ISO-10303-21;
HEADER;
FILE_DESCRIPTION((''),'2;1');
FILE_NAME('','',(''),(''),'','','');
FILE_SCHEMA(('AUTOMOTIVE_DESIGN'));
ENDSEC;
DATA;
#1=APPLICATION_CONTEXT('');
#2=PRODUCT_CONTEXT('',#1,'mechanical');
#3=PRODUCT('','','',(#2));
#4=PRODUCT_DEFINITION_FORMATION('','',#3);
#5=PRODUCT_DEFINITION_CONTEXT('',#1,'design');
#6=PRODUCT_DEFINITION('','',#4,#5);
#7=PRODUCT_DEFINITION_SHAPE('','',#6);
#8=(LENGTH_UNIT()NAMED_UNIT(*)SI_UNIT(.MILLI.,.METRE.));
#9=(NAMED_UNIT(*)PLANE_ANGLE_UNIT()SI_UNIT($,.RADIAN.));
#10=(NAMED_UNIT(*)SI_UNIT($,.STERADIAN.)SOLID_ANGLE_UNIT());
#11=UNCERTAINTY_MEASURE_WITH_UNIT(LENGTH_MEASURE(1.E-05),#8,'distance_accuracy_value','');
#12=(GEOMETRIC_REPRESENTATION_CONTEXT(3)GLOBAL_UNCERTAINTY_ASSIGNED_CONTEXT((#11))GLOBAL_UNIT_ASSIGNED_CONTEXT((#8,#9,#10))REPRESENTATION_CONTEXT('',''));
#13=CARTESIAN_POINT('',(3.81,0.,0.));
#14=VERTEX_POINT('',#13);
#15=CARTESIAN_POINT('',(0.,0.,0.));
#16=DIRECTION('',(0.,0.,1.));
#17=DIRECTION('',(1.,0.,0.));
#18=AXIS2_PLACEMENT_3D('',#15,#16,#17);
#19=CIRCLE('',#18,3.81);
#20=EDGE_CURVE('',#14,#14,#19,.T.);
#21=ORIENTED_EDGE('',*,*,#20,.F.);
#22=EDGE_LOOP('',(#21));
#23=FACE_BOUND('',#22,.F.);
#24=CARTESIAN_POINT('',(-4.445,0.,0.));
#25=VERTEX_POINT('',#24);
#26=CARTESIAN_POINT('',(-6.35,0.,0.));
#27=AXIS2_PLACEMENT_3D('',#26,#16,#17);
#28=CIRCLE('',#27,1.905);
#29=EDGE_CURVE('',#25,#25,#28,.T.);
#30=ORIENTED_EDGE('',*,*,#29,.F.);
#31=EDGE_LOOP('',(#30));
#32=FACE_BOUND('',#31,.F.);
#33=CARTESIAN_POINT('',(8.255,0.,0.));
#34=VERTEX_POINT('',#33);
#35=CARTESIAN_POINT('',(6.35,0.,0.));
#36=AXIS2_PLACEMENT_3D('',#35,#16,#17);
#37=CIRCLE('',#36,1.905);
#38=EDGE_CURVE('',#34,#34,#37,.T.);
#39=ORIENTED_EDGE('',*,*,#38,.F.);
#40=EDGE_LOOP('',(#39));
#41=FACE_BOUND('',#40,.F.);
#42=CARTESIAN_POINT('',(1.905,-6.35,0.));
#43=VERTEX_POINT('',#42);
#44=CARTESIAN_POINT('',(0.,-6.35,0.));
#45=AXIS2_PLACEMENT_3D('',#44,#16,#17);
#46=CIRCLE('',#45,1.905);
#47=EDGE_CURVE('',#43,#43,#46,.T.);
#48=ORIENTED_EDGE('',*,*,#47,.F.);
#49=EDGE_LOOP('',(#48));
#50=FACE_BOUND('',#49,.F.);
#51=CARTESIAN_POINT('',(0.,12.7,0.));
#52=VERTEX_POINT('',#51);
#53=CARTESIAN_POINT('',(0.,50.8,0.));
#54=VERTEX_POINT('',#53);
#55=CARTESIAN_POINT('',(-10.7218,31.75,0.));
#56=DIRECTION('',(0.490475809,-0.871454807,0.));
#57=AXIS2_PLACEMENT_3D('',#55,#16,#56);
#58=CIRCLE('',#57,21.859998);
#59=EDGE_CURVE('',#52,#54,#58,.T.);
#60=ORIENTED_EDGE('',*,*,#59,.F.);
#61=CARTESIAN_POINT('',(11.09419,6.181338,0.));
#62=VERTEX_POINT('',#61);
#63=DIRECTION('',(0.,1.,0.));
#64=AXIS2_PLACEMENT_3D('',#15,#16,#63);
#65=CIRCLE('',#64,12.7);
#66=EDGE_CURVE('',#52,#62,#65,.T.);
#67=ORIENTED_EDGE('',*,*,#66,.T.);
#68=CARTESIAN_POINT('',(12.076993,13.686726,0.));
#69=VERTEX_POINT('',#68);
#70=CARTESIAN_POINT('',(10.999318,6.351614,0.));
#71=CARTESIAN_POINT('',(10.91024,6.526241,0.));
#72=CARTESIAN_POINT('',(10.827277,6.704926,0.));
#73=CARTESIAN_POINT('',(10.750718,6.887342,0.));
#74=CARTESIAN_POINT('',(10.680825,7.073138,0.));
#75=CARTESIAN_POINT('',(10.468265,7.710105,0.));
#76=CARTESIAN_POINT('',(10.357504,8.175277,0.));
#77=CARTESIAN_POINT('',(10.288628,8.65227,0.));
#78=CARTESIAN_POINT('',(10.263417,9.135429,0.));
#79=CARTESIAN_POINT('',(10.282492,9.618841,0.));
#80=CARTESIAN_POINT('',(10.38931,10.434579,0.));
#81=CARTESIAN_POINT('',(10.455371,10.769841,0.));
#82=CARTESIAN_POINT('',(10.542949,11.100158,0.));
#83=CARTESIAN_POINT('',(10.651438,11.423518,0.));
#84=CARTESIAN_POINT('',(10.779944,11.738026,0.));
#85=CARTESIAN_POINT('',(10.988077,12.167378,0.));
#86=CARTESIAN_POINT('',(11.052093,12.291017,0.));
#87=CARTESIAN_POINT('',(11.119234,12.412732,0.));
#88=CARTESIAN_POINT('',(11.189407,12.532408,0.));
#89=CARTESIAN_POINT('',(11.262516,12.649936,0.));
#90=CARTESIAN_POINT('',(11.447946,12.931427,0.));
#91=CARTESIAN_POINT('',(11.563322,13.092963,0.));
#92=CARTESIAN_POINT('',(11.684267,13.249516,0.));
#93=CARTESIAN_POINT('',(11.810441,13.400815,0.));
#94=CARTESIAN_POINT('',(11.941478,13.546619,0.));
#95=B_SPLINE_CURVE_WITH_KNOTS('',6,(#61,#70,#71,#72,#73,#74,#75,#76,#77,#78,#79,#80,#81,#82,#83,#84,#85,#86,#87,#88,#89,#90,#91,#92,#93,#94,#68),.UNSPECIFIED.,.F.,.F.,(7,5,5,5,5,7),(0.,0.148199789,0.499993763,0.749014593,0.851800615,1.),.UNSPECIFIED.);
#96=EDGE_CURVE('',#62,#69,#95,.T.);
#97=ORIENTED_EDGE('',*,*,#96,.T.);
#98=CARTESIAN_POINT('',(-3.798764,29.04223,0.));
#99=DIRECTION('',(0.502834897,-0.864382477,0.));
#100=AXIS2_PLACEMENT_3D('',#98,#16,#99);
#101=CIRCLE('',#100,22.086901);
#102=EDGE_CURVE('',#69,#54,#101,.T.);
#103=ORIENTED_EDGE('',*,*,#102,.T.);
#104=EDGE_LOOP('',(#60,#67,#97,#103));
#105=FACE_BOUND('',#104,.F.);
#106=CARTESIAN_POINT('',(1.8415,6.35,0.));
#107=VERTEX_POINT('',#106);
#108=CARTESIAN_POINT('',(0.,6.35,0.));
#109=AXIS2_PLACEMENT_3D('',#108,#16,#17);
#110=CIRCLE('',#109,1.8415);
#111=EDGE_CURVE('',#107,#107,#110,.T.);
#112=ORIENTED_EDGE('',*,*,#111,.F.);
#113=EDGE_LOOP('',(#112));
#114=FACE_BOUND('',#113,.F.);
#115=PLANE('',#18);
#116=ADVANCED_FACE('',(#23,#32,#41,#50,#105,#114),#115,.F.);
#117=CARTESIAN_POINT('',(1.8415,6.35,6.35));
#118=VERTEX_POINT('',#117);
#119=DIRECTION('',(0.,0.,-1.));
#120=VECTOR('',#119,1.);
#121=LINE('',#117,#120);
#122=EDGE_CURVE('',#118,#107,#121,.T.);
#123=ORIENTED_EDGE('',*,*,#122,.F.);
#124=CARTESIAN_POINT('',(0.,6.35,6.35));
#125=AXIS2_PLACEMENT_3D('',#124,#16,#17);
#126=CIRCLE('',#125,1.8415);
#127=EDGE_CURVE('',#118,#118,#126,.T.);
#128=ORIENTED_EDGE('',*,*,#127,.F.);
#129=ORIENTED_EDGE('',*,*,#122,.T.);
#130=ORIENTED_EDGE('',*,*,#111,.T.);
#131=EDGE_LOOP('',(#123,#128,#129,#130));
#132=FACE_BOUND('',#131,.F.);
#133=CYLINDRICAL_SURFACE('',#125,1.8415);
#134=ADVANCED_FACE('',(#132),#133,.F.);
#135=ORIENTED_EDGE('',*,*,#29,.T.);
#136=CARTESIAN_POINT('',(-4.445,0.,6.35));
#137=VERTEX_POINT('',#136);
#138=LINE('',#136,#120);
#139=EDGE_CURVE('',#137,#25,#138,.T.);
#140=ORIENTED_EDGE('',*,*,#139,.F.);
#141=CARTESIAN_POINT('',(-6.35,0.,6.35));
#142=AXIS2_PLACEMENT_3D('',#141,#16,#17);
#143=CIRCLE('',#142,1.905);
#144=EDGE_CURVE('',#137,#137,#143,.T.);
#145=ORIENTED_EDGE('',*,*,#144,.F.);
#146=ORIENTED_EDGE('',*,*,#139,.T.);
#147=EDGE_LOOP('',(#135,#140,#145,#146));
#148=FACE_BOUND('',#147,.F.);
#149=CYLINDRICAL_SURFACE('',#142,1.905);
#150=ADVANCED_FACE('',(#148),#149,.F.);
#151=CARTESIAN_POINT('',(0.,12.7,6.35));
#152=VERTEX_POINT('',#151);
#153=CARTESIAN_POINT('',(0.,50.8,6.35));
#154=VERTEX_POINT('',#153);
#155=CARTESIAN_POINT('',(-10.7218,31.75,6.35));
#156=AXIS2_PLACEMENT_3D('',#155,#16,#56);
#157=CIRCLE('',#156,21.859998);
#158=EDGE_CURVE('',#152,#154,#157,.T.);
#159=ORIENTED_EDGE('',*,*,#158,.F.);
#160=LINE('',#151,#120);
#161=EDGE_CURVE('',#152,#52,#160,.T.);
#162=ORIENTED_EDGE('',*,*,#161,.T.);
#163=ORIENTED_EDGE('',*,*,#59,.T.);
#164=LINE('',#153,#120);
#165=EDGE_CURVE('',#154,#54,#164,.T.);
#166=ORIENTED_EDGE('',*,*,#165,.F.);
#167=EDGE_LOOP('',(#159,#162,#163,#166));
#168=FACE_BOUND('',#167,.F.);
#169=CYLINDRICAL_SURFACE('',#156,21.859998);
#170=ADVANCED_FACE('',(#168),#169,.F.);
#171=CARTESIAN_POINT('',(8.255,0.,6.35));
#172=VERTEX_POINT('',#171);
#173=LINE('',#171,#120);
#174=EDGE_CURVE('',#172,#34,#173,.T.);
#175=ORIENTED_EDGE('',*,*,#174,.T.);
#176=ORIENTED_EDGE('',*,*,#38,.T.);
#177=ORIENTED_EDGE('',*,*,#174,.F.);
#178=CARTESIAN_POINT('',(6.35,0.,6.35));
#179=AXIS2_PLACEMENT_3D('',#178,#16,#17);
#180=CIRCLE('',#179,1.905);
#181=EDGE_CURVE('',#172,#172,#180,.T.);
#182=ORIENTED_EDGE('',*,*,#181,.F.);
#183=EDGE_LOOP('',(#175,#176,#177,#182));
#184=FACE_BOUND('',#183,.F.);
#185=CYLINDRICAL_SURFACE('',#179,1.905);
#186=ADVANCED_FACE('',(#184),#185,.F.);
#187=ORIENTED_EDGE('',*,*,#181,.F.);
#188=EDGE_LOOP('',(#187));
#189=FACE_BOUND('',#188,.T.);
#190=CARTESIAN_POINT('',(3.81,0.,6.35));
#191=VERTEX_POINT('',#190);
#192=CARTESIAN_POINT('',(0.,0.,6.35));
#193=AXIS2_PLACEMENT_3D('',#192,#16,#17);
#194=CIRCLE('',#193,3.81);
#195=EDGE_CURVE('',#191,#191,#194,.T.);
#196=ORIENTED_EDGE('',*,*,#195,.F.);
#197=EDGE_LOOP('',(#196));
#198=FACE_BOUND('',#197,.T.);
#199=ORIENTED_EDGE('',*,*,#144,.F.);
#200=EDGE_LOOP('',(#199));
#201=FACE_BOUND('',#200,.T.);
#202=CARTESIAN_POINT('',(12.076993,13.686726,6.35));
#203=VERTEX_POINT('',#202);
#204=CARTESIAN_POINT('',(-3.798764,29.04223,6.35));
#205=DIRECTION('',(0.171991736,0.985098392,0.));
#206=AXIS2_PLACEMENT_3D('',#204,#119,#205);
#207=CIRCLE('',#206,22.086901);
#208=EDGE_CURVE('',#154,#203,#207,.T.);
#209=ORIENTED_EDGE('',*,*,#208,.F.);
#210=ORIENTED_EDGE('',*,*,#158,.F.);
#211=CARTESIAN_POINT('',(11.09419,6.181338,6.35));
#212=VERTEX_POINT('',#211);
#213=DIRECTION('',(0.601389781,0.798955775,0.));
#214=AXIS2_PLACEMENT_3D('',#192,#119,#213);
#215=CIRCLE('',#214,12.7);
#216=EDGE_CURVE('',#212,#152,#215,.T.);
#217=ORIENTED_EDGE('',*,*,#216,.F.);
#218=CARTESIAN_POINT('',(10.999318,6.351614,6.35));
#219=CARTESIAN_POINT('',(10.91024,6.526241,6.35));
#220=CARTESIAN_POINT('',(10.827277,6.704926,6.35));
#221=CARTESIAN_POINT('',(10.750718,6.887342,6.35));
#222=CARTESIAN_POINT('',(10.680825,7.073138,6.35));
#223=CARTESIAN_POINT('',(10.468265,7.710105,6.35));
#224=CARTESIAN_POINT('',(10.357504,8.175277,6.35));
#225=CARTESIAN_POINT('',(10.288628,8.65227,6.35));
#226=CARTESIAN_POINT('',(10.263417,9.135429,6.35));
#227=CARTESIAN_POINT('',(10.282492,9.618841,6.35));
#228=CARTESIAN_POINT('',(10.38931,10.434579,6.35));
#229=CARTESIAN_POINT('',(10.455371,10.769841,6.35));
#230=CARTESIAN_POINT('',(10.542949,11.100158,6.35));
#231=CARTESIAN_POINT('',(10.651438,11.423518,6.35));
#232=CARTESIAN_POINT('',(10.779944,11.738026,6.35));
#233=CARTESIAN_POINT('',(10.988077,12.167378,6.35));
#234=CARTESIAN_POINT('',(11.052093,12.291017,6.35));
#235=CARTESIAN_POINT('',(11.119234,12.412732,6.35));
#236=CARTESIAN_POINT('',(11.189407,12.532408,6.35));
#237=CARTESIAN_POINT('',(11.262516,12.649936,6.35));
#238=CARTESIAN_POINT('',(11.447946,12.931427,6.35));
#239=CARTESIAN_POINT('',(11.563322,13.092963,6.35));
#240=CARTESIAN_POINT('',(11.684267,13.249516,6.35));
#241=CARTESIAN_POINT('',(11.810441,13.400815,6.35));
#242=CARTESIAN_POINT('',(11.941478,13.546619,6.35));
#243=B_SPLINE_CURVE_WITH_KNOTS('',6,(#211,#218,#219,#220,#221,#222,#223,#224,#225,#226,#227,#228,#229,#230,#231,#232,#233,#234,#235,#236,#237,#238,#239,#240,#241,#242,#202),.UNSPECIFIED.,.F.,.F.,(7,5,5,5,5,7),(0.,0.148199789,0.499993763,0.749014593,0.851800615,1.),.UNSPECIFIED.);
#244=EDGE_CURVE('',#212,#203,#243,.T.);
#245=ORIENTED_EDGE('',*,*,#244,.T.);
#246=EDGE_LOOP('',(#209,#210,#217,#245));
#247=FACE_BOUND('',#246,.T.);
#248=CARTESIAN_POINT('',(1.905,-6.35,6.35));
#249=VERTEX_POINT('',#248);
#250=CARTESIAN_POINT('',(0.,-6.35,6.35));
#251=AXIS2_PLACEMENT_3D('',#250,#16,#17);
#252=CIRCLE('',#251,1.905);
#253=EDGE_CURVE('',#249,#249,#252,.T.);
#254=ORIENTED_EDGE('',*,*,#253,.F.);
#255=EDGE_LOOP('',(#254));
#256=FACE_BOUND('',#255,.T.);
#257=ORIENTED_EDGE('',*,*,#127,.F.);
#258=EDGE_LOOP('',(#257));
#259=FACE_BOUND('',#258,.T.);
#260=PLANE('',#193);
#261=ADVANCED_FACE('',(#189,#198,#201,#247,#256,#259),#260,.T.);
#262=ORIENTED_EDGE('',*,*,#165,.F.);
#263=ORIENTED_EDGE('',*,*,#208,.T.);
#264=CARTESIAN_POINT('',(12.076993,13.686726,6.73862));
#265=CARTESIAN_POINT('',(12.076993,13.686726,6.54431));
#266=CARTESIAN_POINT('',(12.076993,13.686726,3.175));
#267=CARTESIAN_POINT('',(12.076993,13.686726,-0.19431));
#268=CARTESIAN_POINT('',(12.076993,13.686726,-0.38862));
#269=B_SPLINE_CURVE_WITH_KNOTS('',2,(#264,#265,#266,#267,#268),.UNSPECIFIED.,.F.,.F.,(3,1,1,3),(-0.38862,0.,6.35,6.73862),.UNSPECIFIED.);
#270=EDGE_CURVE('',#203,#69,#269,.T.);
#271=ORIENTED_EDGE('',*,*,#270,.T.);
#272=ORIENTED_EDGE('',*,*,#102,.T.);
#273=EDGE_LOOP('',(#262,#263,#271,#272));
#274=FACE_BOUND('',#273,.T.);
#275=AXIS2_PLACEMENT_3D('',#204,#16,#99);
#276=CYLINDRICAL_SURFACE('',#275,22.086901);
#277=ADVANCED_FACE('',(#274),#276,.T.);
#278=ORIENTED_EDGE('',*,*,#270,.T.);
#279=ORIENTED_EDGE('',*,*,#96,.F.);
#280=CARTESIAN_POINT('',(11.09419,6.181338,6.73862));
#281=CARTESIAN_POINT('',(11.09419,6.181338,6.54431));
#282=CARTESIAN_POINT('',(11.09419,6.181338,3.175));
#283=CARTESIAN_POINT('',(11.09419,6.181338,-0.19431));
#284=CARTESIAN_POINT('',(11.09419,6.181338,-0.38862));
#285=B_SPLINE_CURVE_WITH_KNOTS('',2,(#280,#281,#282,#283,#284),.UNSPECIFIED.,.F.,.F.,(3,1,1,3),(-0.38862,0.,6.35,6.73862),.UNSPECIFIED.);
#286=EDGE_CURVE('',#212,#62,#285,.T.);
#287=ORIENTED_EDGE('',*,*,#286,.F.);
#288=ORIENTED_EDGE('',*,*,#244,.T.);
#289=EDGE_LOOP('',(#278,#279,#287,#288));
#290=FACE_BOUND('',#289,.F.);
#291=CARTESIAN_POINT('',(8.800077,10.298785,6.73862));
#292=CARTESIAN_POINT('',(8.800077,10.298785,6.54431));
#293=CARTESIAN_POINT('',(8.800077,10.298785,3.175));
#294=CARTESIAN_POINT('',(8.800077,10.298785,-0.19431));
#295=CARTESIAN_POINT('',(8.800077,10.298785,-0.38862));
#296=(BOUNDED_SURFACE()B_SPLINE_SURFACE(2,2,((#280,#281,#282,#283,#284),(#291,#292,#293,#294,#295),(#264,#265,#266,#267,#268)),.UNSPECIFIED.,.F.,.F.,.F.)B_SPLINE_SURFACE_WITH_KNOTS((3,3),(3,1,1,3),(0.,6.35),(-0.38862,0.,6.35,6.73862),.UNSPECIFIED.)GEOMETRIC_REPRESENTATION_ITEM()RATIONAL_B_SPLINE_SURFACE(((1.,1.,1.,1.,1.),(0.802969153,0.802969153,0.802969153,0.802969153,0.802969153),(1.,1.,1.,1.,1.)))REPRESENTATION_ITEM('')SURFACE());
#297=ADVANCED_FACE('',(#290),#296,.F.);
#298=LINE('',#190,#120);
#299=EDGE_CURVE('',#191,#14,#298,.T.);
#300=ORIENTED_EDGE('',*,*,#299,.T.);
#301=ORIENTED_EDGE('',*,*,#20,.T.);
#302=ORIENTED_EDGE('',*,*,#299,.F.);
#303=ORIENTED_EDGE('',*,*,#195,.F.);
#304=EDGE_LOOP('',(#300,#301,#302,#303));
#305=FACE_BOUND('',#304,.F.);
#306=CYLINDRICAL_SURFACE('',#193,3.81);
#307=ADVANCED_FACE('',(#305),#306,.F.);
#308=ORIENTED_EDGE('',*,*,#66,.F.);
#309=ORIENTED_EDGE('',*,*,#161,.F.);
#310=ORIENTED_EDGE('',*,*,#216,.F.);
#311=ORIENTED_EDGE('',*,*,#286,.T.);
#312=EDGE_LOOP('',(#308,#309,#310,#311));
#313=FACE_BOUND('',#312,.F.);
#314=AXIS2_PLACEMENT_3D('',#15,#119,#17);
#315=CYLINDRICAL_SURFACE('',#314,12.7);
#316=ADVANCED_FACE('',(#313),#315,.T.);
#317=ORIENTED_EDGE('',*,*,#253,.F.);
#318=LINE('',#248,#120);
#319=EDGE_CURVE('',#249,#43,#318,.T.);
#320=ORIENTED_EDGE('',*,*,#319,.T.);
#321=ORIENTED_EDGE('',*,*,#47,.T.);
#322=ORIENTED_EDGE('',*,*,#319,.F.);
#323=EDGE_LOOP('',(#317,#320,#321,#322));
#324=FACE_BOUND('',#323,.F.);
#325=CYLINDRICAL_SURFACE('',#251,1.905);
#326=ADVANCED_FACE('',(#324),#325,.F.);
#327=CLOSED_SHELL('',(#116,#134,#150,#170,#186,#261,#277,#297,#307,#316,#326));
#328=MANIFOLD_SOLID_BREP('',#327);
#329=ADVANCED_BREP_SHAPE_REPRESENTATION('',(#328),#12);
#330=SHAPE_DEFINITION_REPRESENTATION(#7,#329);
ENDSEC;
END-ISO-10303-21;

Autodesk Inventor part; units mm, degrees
ref_plane "YZ Plane" through (0, 0, 0) normal (1, 0, 0) x (0, 1, 0)
ref_plane "XZ Plane" through (0, 0, 0) normal (0, 1, 0) x (-1, 0, 0)
ref_plane "XY Plane" through (0, 0, 0) normal (0, 0, 1) x (1, 0, 0)
sketch "Sketch1" plane through (0, 0, 0) normal (0, 0, 1) x (1, 0, 0)
  circle A0 centre (0, 0) radius 12.7
  dimension "d0" = 25.4
extrude "Extrusion1" add sketch "Sketch1" along normal blind 6.35
sketch "Sketch2" plane through (0, 0, 6.35) normal (0, 0, 1) x (1, 0, 0)
  circle A0 centre (0, 0) radius 3.81
  dimension "d3" = 7.62
extrude "Extrusion2" cut sketch "Sketch2" against normal blind 6.35
sketch "Sketch3" plane through (0, 0, 6.35) normal (0, 0, 1) x (1, 0, 0)
  circle A0 centre (0, 6.35) radius 1.8415
  point P0 (0, 0)
  dimension "d6" = 3.683
  dimension "d7" = 6.35
extrude "Extrusion3" cut sketch "Sketch3" against normal blind 6.35
sketch "Sketch4" plane through (0, 0, 6.35) normal (0, 0, 1) x (1, 0, 0)
  circle A0 centre (6.35, 0) radius 1.905
  circle A1 centre (0, -6.35) radius 1.905
  circle A2 centre (-6.35, 0) radius 1.905
  point P0 (0, 0)
  dimension "d10" = 3.81
  dimension "d11" = 3.81
  dimension "d12" = 3.81
  dimension "d13" = 6.35
  dimension "d14" = 6.35
  dimension "d15" = 6.35
extrude "Extrusion4" cut sketch "Sketch4" against normal blind 6.35
sketch "Sketch5" plane through (0, 0, 6.35) normal (0, 0, 1) x (1, 0, 0)
  circle A0 centre (0, 0) radius 12.7 projected
  arc A1 (0, 12.7) -> (0, 50.8) centre (-10.7218, 31.75) ccw
  line L0 (0, 12.7) -> (0, 50.8) construction
  line L1 (0, 12.7) -> (38.1, 12.7) construction
  arc A2 (7.3073, 9.9507) -> (0, 50.8) centre (-3.7987, 29.0422) ccw
  arc A3 (0, 12.7) -> (7.3073, 9.9507) centre (4.4505, 13.4432) ccw
  dimension "d18" = 38.1
  dimension "d19" = 90
extrude "Extrusion5" add sketch "Sketch5" against normal blind 6.35 contours A1 A2 A0 | A0 A2 A3 picked at (3.7894, 11.0049)
fillet "Fillet1" radius 6.35 1 edges at (7.6377, 10.1467, 3.175)
properties part number "claw beta"
